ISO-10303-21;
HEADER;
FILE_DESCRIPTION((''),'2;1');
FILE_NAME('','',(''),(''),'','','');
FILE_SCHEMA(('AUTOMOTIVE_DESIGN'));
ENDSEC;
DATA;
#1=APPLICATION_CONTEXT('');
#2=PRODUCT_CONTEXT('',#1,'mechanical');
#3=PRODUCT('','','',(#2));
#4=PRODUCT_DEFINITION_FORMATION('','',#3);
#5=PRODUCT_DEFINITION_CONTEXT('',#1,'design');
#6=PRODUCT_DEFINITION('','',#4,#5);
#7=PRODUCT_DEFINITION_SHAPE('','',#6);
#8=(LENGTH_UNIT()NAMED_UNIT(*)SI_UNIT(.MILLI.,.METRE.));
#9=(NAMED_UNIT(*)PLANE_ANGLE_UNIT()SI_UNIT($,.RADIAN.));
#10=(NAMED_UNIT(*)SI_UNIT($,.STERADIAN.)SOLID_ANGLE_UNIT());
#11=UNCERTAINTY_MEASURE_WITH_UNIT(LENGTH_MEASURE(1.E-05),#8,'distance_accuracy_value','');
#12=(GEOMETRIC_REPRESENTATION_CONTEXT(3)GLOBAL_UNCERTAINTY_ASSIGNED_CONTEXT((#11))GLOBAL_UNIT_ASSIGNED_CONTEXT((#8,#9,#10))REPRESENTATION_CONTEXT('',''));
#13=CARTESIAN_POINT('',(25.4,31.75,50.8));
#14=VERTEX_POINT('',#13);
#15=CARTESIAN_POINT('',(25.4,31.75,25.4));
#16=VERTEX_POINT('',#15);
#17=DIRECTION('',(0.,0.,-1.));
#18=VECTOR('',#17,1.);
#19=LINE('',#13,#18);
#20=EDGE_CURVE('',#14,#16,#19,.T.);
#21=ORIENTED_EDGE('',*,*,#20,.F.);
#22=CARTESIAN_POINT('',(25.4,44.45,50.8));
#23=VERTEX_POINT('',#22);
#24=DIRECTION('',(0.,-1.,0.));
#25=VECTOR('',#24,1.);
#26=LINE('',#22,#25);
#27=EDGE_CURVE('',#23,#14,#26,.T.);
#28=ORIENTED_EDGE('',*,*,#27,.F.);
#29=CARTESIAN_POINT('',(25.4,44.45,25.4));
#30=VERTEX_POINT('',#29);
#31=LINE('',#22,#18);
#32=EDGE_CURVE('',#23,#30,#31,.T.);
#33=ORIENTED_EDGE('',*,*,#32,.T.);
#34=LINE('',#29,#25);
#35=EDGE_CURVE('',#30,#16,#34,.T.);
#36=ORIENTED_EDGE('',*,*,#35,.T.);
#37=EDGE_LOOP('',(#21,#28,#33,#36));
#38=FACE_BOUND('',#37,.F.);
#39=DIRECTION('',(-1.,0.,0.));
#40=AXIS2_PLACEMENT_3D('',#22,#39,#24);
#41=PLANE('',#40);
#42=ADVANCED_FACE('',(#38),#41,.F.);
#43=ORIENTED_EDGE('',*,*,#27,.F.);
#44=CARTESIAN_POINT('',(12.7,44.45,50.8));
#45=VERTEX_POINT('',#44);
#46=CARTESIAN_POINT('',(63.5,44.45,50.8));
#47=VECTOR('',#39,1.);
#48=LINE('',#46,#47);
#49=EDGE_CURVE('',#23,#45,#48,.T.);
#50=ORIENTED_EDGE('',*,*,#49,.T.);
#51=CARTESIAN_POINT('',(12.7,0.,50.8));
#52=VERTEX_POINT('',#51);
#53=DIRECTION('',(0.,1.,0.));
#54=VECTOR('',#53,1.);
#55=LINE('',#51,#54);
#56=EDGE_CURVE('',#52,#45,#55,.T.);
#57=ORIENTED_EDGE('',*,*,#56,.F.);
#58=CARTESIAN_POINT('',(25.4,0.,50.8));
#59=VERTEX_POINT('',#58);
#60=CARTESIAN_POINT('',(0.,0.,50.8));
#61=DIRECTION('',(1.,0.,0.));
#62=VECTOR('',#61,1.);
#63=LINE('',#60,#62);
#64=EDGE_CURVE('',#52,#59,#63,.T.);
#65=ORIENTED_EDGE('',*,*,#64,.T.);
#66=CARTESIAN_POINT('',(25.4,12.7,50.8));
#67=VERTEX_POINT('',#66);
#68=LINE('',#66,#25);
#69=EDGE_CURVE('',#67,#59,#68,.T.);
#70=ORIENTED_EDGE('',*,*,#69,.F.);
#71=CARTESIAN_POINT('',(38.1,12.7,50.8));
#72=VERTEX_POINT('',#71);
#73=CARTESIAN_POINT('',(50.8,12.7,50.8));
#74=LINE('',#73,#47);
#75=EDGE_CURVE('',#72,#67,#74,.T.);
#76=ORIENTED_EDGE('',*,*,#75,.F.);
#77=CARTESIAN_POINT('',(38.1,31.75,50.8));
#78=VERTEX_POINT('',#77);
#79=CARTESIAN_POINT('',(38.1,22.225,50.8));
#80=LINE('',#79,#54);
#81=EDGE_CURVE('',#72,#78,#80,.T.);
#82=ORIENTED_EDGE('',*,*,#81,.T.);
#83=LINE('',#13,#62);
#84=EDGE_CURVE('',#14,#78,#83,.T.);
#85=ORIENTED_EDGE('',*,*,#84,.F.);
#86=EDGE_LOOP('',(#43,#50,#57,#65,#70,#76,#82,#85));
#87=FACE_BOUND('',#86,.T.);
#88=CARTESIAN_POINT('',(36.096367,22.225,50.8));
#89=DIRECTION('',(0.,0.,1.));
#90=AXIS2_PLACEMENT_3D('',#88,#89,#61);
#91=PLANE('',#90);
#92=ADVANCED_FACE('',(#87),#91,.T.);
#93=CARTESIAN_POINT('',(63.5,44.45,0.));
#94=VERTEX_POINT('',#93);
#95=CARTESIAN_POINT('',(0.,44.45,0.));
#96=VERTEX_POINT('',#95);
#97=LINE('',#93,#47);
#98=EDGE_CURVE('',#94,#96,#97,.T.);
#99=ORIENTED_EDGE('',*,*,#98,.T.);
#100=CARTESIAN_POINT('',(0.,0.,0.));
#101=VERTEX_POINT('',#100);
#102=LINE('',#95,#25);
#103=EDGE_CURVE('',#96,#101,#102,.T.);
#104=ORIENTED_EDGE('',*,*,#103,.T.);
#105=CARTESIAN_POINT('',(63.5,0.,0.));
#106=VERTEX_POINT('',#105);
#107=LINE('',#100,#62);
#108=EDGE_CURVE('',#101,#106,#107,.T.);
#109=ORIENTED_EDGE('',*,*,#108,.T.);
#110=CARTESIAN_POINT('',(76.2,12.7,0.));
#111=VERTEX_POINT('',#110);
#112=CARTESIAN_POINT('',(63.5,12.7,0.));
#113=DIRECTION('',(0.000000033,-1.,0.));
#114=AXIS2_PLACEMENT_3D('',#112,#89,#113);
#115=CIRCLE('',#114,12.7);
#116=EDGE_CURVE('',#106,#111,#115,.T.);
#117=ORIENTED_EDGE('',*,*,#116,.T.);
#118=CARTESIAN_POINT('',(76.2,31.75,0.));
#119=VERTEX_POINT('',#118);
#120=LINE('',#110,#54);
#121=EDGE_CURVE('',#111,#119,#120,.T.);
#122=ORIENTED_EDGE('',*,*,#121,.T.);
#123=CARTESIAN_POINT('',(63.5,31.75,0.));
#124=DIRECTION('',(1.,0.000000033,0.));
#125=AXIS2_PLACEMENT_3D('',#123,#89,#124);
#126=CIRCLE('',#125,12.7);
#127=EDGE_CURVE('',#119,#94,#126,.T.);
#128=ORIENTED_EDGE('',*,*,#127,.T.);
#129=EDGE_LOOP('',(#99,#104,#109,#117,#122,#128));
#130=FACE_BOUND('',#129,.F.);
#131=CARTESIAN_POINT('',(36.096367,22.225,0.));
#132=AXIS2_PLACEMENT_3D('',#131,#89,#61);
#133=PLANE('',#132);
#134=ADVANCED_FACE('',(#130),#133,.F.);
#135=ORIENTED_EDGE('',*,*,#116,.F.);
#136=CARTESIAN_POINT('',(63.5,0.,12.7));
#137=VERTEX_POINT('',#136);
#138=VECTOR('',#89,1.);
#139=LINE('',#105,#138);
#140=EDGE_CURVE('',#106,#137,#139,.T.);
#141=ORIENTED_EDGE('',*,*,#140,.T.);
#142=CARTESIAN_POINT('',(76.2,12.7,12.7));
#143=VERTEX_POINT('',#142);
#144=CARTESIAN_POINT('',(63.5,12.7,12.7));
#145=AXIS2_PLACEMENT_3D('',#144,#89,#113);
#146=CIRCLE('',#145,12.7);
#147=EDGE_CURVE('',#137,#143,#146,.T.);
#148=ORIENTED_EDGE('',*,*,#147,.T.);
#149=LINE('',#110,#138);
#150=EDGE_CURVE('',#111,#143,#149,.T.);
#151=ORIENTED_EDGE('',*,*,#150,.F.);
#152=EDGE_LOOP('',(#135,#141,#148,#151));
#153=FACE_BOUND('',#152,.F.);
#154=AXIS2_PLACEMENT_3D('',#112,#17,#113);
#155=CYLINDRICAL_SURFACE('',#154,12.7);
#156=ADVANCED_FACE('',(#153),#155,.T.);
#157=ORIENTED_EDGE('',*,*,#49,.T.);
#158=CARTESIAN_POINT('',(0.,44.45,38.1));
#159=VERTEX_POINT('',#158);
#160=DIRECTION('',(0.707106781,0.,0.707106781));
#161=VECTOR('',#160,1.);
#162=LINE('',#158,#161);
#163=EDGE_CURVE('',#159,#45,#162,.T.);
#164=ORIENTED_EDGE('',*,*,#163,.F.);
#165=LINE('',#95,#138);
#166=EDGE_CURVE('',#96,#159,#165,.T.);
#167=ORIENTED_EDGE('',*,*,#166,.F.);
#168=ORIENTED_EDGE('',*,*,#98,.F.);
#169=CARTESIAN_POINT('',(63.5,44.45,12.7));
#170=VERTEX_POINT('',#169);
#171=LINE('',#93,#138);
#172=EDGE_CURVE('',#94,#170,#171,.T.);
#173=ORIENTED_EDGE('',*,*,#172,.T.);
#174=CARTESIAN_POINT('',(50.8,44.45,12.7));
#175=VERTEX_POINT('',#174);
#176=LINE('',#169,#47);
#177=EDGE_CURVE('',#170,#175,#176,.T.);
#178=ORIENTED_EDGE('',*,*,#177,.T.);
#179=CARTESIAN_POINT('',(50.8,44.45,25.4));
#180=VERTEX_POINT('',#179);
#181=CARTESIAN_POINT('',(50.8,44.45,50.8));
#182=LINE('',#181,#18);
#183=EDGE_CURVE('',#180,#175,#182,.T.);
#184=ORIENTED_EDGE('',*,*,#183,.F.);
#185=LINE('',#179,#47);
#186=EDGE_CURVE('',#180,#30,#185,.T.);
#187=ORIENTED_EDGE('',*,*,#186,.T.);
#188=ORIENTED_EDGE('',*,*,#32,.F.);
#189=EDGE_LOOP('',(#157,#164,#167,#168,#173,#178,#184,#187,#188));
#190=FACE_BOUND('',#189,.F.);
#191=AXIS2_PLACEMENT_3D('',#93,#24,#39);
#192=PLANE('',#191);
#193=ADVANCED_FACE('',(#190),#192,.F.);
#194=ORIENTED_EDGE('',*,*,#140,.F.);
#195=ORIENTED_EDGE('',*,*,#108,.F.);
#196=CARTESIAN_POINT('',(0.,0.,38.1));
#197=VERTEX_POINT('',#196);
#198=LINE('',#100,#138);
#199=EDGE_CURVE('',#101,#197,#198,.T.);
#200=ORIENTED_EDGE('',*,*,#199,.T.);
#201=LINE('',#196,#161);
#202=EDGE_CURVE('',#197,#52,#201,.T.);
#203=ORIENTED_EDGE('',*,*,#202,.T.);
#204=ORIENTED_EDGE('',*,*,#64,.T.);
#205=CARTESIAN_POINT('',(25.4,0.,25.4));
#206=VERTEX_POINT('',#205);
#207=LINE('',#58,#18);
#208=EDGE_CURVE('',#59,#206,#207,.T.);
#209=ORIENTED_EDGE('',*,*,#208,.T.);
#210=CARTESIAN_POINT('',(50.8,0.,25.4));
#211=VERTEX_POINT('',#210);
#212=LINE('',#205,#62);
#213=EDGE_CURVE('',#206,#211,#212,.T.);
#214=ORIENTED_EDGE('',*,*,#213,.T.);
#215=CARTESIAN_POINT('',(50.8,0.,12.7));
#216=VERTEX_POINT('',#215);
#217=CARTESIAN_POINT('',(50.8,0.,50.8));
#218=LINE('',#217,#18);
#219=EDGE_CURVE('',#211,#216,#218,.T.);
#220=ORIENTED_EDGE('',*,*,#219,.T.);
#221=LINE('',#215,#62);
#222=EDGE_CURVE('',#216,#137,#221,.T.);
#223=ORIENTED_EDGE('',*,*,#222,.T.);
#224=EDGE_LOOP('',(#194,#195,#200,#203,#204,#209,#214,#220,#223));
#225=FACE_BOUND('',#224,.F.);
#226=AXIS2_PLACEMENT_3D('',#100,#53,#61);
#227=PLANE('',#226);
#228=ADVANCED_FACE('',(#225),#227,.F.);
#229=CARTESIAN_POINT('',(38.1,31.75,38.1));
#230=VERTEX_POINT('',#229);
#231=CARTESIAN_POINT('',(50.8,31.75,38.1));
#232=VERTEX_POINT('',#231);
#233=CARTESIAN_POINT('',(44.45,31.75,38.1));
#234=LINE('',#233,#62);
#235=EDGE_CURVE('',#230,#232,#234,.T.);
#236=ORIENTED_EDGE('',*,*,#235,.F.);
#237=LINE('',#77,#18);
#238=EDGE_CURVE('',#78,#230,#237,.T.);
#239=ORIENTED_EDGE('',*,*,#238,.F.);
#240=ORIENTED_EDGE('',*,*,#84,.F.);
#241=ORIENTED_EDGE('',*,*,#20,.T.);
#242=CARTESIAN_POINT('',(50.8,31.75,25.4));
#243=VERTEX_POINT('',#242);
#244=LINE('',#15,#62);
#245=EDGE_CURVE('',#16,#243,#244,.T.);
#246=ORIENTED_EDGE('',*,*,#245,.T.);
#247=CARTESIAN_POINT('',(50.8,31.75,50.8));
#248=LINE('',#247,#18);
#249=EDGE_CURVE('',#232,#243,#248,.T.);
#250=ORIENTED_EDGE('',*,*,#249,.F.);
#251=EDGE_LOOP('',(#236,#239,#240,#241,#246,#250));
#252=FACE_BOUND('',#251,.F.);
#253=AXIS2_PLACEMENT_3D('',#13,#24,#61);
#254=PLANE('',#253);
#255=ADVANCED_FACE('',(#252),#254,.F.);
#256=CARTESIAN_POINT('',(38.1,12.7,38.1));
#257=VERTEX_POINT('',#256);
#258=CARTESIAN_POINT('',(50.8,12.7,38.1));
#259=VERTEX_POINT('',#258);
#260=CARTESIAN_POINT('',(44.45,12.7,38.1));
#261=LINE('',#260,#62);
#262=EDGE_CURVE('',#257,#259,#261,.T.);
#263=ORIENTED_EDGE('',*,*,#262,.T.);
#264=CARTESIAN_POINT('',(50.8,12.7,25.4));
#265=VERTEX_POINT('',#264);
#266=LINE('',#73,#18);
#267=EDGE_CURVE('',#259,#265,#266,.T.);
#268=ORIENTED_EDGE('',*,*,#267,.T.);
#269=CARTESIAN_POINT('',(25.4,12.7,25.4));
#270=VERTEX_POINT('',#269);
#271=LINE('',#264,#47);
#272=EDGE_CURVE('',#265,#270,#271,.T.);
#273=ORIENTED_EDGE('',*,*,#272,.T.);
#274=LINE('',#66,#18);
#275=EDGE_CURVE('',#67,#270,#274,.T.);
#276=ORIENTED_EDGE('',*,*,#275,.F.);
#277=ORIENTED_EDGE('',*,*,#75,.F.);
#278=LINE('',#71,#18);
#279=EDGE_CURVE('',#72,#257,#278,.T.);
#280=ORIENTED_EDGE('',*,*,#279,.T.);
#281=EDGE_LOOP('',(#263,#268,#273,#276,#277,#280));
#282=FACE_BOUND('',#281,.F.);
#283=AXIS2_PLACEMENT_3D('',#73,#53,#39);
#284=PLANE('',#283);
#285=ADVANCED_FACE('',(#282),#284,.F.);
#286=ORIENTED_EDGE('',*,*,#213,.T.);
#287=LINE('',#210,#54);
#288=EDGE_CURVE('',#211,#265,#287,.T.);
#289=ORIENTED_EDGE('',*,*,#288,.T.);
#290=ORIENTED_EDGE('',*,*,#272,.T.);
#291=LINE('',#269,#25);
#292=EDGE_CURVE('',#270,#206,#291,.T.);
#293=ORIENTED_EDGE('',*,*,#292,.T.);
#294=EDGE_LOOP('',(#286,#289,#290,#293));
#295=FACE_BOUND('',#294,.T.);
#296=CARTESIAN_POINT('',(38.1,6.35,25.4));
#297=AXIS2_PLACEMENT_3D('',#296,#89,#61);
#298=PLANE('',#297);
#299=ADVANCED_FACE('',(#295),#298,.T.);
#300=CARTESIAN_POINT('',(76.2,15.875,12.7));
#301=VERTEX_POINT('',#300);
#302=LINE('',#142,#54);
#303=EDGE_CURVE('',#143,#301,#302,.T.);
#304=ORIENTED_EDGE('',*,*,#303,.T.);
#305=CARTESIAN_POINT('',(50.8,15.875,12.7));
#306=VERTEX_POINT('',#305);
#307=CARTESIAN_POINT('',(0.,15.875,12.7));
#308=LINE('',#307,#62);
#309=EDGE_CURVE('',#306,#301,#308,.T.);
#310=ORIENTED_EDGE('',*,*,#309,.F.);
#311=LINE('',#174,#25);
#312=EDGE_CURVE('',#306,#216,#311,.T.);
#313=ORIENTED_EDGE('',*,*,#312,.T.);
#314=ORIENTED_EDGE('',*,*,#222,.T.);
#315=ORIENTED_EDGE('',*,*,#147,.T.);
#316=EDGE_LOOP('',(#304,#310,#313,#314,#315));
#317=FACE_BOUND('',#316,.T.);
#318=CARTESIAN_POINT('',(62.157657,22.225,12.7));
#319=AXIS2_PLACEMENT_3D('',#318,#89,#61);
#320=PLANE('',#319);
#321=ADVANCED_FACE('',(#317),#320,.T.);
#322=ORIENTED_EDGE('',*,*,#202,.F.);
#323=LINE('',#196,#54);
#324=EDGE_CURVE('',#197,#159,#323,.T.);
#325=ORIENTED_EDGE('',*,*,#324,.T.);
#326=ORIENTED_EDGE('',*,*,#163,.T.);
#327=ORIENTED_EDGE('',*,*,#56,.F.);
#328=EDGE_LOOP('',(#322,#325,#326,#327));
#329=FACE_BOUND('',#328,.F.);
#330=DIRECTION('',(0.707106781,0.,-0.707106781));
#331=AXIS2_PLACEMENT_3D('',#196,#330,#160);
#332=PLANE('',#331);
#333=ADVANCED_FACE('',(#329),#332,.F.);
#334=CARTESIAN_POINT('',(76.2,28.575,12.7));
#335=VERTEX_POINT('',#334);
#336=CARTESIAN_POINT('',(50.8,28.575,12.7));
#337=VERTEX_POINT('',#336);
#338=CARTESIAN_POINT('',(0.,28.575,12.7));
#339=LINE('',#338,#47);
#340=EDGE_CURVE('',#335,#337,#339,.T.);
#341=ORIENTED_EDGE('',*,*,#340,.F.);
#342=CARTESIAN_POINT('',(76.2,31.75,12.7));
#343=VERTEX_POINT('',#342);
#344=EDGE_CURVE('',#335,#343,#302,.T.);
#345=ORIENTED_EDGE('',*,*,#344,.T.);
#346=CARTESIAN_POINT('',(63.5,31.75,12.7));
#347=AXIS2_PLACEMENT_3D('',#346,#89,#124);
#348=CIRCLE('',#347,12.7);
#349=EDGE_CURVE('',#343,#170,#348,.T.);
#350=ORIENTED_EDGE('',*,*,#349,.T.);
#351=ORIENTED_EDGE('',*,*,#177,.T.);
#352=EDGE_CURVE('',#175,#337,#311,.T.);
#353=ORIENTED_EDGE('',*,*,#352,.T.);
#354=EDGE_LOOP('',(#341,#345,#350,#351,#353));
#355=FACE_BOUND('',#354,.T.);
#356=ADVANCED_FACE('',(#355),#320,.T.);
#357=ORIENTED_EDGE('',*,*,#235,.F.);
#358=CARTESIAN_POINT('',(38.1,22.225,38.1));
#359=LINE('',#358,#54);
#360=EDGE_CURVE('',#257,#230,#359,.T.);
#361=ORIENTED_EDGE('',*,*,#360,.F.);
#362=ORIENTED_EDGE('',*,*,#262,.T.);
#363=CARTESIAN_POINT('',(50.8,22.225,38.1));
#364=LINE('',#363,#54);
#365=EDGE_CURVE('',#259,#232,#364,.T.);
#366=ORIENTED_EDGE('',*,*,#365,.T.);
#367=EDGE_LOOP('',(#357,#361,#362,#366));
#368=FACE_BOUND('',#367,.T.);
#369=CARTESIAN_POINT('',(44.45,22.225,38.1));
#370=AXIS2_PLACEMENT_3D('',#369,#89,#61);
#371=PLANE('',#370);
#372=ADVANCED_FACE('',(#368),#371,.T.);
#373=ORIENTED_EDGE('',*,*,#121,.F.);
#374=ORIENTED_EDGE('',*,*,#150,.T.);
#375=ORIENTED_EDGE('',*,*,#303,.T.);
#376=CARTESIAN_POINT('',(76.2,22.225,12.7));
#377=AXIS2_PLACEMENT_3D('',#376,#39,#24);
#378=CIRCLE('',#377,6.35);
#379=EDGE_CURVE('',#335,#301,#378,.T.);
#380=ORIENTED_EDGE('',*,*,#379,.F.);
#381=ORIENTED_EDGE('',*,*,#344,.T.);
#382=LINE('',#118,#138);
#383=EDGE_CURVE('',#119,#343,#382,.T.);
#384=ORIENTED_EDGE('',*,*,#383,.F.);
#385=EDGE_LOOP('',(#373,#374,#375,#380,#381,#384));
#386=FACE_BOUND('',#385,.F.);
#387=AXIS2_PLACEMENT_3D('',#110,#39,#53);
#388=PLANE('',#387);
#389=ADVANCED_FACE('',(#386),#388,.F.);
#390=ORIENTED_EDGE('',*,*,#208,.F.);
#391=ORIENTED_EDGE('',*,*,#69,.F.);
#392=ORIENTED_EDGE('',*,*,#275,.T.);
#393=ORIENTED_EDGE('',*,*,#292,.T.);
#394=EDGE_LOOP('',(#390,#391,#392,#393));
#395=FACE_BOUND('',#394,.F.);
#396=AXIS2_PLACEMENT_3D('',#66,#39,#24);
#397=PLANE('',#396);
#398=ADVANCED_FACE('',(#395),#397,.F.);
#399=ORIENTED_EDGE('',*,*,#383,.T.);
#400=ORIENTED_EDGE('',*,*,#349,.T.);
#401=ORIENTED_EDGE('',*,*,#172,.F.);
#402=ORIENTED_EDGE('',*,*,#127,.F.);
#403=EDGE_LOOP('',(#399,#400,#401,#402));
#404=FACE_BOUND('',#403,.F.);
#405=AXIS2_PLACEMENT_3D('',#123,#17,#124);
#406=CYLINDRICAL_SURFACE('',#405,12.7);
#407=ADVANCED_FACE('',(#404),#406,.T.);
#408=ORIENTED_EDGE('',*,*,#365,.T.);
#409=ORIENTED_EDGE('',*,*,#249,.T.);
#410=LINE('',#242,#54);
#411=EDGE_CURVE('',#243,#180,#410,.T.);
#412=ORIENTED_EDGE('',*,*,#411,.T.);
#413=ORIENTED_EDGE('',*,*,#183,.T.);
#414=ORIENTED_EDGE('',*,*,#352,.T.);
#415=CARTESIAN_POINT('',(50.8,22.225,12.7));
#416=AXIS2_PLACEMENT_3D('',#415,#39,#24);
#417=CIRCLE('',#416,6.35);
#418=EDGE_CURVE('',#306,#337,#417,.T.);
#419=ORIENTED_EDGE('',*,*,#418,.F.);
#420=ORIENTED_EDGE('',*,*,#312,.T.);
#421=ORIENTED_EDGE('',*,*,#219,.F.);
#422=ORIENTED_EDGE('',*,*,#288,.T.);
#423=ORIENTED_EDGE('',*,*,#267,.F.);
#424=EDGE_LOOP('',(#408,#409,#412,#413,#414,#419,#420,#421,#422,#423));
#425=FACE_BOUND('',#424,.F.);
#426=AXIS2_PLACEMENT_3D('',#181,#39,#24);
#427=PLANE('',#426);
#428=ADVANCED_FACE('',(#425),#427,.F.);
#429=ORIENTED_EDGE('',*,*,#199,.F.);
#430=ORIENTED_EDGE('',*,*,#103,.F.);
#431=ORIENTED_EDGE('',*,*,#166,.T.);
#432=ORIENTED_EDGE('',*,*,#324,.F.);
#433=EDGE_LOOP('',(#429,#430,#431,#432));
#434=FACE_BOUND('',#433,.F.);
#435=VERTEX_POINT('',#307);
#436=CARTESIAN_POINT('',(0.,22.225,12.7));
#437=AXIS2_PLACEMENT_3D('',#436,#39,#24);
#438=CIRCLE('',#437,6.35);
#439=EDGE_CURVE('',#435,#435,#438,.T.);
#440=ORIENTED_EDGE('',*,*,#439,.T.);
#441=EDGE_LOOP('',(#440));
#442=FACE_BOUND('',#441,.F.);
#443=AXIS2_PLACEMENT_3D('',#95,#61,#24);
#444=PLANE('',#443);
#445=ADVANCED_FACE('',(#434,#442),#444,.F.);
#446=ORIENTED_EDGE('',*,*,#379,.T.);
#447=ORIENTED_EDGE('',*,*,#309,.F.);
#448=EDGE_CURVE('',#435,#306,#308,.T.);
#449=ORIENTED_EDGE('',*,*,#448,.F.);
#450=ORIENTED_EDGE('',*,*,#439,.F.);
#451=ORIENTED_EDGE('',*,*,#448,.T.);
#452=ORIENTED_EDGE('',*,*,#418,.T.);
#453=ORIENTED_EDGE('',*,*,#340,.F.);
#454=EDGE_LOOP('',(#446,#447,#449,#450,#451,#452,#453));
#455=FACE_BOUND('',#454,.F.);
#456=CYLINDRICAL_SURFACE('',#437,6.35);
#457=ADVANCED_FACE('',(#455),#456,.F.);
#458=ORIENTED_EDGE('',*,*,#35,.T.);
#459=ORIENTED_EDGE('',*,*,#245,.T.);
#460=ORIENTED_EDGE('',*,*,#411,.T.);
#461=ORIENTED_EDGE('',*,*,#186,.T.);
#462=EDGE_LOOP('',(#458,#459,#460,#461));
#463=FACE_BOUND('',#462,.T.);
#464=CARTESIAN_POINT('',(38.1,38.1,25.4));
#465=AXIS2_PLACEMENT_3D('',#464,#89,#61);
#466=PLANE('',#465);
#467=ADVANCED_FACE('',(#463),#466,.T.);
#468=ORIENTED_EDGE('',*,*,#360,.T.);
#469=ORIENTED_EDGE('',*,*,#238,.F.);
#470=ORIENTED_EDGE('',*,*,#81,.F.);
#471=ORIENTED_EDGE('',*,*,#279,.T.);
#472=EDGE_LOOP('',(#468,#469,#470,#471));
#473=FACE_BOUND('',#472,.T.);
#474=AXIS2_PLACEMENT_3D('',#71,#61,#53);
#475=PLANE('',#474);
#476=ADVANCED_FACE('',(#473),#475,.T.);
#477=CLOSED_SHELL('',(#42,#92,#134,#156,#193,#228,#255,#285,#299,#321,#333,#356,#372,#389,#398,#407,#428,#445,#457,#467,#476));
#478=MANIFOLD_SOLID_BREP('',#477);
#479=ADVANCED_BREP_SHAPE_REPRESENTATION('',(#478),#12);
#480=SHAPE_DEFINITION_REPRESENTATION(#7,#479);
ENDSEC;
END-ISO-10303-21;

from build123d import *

# Parameters (mm, degrees)
F1_DEPTH = 50.8
F3_DEPTH = 25.4
F4_DEPTH = 38.1
F2_W     = 12.7
F2_H     = 19.05
F5_DEPTH = 12.7
F7_DEPTH = 44.45
F8_R     = 6.35
F9_DEPTH = 76.2


with BuildPart() as f1:
    # F0 (on Top) → F1 (new body)
    with BuildSketch(Plane.XY):
        with BuildLine():
            Line((0, 44.45), (0, 0))
            Line((0, 0), (63.5, 0))
            ThreePointArc((63.5, 0), (72.480256, 3.719744), (76.2, 12.7))
            Line((76.2, 12.7), (76.2, 31.75))
            ThreePointArc((76.2, 31.75), (72.480256, 40.730256), (63.5, 44.45))
            Line((63.5, 44.45), (0, 44.45))
        make_face()
    extrude(amount=F1_DEPTH)

    # F2 (on face) → F3 (cut)
    with BuildSketch(Plane.XY.offset(50.8)):
        Polygon((50.8, 44.45), (25.4, 44.45), (25.4, 31.75), (38.1, 31.75), (50.8, 31.75), align=None)
        Polygon((50.8, 0), (50.8, 12.7), (38.1, 12.7), (25.4, 12.7), (25.4, 0), align=None)
    extrude(amount=-F3_DEPTH, mode=Mode.SUBTRACT)

    # F2 (on face) → F4 (cut)
    with BuildSketch(Plane.XY.offset(50.8)):
        with BuildLine():
            Line((63.5, 44.45), (50.8, 44.45))
            Line((50.8, 44.45), (50.8, 31.75))
            Line((50.8, 31.75), (50.8, 12.7))
            Line((50.8, 12.7), (50.8, 0))
            Line((50.8, 0), (63.5, 0))
            ThreePointArc((63.5, 0), (72.480256, 3.719744), (76.2, 12.7))
            Line((76.2, 12.7), (76.2, 31.75))
            ThreePointArc((76.2, 31.75), (72.480256, 40.730256), (63.5, 44.45))
        make_face()
    extrude(amount=-F4_DEPTH, mode=Mode.SUBTRACT)

    # F2 (on face) → F5 (cut)
    with BuildSketch(Plane.XY.offset(50.8)):
        with Locations((44.45, 22.225)):
            Rectangle(F2_W, F2_H)
    extrude(amount=-F5_DEPTH, mode=Mode.SUBTRACT)

    # F6 (on face) → F7 (cut, through all)
    with BuildSketch(Plane.XZ):
        Polygon((0, 50.8), (0, 38.1), (12.7, 50.8), align=None)
    extrude(amount=-F7_DEPTH, mode=Mode.SUBTRACT)

    # F8 (on face) → F9 (cut, through all)
    with BuildSketch(Plane(origin=(0, 0, 0), x_dir=(0, -1, 0), z_dir=(-1, 0, 0))):
        with Locations((-22.225, 12.7)):
            Circle(F8_R)
    extrude(amount=-F9_DEPTH, mode=Mode.SUBTRACT)


solid = f1.part
